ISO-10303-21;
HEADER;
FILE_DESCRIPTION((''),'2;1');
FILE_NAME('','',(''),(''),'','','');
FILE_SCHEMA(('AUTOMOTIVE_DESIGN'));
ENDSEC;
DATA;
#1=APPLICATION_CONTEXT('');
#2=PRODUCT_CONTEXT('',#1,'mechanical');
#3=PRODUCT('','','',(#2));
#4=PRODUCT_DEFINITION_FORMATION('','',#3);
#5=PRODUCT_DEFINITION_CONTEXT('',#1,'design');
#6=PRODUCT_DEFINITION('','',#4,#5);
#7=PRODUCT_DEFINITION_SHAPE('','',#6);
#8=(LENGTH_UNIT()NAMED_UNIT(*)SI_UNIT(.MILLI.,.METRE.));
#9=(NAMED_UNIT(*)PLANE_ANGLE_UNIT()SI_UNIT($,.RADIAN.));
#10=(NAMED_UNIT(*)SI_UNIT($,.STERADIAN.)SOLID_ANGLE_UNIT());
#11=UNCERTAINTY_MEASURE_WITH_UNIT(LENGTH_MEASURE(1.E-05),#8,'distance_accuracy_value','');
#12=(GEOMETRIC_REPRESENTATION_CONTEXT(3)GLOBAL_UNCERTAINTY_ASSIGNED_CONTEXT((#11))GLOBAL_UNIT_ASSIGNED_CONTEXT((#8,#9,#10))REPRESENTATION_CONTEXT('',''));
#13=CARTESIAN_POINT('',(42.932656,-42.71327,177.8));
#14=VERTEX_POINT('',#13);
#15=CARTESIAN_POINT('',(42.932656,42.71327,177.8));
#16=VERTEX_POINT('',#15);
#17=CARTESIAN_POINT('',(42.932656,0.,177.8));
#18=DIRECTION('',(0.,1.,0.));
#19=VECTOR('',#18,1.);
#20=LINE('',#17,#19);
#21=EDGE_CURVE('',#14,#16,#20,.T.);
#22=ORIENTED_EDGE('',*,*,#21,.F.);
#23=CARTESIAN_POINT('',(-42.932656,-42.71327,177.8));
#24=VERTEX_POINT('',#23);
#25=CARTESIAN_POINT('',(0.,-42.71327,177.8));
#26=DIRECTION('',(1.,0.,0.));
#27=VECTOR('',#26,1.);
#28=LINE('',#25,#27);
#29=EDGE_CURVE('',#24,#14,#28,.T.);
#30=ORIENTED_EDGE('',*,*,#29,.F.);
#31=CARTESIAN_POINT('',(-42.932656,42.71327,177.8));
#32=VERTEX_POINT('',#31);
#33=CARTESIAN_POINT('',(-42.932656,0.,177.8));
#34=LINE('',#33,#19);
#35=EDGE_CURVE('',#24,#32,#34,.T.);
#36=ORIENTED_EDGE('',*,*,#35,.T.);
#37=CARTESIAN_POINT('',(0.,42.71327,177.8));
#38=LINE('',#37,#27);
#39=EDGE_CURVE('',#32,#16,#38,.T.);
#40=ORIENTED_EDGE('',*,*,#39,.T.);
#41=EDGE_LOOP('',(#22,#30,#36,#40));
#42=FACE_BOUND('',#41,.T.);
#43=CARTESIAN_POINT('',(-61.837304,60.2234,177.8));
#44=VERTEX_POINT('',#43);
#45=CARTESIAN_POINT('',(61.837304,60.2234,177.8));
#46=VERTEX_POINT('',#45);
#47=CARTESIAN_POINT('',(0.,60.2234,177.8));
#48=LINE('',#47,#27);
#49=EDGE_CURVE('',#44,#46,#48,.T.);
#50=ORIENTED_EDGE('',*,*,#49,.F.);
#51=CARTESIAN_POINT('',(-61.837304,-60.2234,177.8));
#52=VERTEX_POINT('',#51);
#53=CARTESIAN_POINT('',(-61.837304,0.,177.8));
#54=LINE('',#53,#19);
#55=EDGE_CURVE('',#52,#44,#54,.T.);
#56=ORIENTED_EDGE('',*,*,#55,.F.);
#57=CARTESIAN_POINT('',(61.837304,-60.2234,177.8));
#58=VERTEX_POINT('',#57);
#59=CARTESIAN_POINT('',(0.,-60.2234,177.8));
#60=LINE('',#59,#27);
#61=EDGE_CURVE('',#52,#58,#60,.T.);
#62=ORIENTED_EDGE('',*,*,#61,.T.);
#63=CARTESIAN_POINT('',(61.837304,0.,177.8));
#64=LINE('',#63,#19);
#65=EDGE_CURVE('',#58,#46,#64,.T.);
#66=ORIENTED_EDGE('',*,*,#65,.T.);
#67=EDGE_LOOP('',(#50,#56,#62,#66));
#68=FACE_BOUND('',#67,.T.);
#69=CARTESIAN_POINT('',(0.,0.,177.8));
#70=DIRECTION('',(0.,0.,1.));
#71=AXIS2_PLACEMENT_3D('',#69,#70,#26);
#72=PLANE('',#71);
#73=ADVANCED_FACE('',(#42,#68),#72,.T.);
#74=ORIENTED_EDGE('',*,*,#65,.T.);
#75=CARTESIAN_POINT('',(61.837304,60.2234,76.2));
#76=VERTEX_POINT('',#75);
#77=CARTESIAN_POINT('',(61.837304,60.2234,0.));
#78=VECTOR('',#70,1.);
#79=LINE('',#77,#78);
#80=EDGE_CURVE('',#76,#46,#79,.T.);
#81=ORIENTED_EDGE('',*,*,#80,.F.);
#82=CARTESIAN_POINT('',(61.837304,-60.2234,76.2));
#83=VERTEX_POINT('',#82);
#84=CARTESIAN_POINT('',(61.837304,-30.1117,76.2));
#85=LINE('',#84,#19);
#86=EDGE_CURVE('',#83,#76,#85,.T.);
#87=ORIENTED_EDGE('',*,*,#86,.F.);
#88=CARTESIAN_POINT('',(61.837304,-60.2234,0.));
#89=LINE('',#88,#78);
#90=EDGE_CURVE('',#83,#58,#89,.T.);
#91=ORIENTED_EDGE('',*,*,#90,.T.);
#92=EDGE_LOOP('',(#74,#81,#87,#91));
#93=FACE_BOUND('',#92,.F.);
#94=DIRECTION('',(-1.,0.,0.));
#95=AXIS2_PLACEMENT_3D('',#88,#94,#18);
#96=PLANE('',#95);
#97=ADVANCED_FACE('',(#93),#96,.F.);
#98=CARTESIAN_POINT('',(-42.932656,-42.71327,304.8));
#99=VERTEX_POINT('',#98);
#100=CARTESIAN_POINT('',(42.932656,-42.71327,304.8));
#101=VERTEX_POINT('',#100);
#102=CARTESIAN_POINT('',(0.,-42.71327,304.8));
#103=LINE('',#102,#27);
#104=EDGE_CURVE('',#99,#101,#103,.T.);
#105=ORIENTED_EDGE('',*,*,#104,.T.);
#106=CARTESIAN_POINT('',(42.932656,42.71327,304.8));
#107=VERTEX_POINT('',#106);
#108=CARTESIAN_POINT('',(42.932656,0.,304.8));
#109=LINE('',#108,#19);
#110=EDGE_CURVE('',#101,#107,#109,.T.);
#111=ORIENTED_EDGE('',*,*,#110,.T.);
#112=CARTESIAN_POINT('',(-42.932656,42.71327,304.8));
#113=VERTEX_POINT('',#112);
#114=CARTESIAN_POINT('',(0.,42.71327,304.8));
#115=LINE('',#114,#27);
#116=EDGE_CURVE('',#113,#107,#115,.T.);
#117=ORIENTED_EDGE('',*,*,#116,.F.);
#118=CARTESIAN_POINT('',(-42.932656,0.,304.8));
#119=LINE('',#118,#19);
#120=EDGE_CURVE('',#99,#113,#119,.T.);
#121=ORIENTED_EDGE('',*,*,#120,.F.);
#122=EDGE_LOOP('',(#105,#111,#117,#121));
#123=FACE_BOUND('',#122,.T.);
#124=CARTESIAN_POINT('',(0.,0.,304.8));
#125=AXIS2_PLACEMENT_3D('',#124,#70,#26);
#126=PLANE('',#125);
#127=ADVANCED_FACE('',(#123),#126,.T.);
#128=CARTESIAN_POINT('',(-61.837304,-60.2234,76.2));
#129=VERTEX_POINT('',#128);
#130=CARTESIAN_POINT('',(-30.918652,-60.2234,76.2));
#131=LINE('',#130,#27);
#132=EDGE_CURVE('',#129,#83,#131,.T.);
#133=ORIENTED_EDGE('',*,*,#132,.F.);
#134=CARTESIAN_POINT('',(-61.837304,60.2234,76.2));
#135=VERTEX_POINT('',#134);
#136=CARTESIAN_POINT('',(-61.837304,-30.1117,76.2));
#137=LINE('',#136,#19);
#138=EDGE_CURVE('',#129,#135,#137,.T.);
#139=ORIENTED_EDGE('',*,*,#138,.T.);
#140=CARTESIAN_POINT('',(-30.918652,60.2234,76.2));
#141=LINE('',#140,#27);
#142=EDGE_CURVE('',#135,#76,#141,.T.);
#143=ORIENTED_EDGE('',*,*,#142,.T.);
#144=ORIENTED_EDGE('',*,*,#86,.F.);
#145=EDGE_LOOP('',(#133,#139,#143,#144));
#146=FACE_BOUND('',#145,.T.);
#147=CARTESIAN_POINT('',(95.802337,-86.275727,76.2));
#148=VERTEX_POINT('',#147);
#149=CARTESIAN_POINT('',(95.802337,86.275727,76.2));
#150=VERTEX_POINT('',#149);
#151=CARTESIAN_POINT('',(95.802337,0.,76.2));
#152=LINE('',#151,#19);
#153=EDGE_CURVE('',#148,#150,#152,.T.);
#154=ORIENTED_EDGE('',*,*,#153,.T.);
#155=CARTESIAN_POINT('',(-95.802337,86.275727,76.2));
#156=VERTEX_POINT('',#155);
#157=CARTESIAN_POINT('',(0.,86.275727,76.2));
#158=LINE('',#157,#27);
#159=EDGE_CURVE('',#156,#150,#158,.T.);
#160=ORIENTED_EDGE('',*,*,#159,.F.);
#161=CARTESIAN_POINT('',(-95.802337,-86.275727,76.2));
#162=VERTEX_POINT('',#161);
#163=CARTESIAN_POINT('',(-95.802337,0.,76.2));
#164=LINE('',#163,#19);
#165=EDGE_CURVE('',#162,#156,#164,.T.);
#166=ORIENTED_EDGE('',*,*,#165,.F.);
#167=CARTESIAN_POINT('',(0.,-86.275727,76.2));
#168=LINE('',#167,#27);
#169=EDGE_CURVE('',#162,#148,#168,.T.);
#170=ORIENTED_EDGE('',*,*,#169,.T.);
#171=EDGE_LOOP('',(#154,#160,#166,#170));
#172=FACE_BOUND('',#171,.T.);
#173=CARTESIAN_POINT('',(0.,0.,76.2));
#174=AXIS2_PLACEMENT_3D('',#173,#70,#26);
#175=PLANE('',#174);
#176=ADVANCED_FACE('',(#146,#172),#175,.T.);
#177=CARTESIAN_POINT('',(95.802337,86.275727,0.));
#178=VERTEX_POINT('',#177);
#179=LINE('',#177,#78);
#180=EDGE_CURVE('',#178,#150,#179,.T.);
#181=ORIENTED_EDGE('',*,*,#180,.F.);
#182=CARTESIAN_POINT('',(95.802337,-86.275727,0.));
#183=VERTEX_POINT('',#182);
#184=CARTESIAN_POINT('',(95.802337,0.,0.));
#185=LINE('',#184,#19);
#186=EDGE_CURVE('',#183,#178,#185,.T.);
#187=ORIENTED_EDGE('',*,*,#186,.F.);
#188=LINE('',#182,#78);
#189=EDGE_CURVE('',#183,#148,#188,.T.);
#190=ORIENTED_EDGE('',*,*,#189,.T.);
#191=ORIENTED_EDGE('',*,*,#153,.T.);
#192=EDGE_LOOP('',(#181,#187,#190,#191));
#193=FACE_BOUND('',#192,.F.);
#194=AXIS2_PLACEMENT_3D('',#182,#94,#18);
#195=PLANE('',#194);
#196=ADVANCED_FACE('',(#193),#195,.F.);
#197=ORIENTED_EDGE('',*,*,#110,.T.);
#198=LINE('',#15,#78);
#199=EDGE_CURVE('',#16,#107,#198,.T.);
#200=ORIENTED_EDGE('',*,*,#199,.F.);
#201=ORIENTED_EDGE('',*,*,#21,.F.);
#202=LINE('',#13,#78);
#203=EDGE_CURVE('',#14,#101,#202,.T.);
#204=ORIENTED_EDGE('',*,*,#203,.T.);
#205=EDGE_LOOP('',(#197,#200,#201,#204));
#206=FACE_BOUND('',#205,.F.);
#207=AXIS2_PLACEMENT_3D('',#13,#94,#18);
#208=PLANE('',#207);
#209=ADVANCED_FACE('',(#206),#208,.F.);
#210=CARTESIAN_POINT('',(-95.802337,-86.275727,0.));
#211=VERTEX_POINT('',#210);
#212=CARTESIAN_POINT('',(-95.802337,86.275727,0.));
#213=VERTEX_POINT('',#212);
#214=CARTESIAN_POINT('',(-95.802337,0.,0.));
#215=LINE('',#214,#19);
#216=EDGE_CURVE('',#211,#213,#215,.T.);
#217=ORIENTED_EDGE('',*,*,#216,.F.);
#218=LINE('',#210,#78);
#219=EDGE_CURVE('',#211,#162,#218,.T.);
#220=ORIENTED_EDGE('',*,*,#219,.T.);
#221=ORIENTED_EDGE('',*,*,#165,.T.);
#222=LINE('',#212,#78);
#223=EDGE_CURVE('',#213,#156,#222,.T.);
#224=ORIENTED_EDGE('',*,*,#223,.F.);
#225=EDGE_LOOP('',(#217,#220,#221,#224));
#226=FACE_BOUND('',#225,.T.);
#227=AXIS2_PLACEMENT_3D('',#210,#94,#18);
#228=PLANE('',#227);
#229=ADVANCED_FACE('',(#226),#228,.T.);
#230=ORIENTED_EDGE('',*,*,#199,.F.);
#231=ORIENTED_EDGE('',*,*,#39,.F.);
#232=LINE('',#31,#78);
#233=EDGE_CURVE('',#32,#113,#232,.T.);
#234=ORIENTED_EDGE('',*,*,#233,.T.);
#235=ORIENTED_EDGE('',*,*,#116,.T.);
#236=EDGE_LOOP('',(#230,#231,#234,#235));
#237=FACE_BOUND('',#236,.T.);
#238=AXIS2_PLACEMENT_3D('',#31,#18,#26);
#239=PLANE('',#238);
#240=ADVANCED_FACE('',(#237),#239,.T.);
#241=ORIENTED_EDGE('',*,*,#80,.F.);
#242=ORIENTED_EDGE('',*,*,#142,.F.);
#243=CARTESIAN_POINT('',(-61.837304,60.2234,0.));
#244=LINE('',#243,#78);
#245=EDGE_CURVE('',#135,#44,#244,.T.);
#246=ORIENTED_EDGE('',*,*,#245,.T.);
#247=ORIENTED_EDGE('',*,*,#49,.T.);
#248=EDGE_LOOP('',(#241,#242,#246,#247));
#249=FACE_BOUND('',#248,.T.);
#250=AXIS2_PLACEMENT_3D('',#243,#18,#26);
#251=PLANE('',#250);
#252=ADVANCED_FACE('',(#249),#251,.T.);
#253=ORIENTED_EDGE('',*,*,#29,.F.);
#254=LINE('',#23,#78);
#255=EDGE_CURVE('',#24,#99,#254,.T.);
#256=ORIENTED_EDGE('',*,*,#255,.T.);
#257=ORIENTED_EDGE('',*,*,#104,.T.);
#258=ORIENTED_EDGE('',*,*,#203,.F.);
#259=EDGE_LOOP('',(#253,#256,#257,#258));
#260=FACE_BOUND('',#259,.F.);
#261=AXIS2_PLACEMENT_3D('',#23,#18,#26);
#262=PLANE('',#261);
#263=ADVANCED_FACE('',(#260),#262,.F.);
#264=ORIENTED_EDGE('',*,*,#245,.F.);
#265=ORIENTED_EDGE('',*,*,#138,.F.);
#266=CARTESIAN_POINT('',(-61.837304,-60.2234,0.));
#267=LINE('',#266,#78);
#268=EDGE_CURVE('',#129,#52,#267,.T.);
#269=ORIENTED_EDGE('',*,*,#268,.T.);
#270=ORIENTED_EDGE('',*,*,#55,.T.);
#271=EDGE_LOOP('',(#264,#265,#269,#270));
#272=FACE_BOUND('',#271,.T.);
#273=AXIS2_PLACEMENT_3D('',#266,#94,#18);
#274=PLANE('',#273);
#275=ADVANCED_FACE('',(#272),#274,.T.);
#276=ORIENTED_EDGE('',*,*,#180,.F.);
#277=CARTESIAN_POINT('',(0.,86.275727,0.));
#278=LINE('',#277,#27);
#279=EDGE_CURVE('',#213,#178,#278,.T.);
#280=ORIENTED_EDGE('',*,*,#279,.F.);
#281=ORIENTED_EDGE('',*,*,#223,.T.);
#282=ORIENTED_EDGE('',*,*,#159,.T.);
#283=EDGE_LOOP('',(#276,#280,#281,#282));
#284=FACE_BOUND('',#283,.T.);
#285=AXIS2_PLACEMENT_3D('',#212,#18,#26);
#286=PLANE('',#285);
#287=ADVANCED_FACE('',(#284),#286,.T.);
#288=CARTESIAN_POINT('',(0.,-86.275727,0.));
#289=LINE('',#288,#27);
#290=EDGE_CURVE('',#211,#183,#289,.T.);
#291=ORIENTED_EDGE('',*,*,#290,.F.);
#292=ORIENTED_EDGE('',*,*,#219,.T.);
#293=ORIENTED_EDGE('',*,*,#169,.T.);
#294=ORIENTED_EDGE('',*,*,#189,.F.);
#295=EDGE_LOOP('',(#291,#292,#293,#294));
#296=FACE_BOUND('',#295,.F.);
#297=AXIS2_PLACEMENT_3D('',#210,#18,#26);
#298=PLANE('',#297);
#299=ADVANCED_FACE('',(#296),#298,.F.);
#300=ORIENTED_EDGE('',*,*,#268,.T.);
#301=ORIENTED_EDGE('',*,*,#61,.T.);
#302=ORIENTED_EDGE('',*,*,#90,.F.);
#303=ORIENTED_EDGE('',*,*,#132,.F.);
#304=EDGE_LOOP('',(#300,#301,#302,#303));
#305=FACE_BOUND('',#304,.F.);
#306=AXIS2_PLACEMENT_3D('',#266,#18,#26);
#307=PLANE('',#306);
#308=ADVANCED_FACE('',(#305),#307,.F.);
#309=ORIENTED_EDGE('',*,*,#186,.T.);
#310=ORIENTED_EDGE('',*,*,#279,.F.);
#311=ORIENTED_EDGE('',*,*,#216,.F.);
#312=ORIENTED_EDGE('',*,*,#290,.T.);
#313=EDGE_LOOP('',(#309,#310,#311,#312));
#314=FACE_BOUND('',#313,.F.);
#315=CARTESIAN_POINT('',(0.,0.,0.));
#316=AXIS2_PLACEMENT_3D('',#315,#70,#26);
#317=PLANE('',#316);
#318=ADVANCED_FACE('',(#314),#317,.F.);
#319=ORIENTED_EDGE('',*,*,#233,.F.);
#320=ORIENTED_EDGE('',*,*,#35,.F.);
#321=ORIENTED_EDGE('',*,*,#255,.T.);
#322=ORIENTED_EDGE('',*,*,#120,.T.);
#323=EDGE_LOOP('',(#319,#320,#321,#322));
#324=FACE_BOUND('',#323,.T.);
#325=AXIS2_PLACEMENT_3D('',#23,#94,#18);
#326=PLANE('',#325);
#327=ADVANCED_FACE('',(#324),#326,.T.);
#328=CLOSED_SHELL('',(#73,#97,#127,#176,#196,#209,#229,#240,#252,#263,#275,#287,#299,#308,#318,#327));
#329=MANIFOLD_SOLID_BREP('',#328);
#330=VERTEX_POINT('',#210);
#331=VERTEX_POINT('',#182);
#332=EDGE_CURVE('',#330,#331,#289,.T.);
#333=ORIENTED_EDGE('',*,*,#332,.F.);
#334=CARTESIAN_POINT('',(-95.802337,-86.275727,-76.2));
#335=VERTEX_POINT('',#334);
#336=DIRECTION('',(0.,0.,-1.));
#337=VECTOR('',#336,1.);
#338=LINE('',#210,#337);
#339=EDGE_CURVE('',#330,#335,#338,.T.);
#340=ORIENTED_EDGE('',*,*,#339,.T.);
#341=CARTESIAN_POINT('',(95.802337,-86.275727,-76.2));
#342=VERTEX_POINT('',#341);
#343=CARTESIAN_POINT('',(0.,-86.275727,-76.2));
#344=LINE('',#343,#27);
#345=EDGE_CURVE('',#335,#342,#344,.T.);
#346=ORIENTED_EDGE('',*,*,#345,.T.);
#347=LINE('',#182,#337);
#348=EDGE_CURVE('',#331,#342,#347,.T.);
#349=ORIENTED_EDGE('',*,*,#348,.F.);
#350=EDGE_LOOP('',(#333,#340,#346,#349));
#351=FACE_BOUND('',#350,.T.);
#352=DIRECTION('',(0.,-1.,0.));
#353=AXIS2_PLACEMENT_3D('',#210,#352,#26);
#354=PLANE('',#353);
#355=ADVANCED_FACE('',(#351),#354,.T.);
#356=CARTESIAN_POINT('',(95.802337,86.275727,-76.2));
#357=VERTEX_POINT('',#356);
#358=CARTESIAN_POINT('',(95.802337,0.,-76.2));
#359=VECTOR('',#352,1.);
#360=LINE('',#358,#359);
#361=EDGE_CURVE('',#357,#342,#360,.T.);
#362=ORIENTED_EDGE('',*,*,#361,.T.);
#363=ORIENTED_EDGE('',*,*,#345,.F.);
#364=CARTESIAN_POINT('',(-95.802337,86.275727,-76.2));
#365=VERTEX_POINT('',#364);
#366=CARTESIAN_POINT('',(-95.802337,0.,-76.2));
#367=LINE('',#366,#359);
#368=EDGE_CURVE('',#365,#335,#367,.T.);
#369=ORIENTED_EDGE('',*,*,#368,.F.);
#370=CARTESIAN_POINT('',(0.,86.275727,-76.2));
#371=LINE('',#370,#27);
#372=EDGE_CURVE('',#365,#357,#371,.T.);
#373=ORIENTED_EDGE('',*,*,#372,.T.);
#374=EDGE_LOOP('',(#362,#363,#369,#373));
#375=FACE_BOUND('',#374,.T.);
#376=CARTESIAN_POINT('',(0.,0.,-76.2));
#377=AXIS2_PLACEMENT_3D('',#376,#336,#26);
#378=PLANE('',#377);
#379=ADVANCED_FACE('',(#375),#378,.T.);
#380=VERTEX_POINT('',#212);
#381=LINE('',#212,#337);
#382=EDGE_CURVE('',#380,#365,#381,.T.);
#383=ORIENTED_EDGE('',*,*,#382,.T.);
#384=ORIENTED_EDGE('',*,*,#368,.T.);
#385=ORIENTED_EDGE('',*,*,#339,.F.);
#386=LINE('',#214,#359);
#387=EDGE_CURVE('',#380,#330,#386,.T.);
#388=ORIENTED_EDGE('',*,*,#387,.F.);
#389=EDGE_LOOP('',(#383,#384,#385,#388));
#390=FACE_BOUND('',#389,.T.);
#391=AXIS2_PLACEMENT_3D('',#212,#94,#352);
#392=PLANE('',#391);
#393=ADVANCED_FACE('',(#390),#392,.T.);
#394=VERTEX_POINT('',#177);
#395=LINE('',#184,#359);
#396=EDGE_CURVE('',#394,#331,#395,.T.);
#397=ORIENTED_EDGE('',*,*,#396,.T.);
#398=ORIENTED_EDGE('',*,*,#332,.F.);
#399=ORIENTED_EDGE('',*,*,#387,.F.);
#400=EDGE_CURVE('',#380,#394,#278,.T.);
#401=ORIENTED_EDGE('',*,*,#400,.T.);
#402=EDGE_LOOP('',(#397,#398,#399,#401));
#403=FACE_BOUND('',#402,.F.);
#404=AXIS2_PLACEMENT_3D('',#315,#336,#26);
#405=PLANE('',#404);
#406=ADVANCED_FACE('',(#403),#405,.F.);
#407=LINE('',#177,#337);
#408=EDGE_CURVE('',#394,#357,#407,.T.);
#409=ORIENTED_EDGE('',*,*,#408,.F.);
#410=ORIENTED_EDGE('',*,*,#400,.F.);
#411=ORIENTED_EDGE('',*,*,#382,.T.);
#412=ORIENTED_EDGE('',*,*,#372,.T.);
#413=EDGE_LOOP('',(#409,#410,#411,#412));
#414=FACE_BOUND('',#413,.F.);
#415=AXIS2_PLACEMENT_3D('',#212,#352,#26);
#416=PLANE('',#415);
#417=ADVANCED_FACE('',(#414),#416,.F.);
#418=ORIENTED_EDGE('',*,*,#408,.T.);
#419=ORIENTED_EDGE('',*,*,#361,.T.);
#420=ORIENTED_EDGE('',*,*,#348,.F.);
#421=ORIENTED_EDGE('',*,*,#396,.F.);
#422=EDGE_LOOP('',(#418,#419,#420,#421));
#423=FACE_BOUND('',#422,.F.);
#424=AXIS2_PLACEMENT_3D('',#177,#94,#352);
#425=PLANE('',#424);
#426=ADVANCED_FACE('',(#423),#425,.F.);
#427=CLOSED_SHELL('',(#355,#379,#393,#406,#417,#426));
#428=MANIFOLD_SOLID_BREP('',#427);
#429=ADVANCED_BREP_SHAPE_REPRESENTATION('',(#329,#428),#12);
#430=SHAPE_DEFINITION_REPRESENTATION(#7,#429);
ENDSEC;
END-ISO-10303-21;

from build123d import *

# Parameters (mm, degrees)
F0_W     = 123.674608
F0_H     = 120.4468
F1_DEPTH = 177.8
F2_W     = 85.865312
F2_H     = 85.42654
F3_DEPTH = 127
F4_W     = 191.604674
F4_H     = 172.551454
F5_DEPTH = 76.2
F6_W     = 191.604674
F6_H     = 172.551454
F7_DEPTH = 76.2


with BuildPart() as f1:
    # F0 (on Top) → F1 (new body)
    with BuildSketch(Plane.XY):
        Rectangle(F0_W, F0_H)
    extrude(amount=F1_DEPTH)

    # F2 (on face) → F3 (join)
    with BuildSketch(Plane.XY.offset(177.8)):
        Rectangle(F2_W, F2_H)
    extrude(amount=F3_DEPTH)

    # F4 (on face) → F5 (join)
    with BuildSketch(Plane.XY):
        Rectangle(F4_W, F4_H)
    extrude(amount=F5_DEPTH)


with BuildPart() as f7:
    # F6 (on face) → F7 (new body)
    with BuildSketch(Plane(origin=(0, 0, 0), x_dir=(1, 0, 0), z_dir=(0, 0, -1))):
        Rectangle(F6_W, F6_H)
    extrude(amount=F7_DEPTH)


solid = Compound([f1.part, f7.part])
